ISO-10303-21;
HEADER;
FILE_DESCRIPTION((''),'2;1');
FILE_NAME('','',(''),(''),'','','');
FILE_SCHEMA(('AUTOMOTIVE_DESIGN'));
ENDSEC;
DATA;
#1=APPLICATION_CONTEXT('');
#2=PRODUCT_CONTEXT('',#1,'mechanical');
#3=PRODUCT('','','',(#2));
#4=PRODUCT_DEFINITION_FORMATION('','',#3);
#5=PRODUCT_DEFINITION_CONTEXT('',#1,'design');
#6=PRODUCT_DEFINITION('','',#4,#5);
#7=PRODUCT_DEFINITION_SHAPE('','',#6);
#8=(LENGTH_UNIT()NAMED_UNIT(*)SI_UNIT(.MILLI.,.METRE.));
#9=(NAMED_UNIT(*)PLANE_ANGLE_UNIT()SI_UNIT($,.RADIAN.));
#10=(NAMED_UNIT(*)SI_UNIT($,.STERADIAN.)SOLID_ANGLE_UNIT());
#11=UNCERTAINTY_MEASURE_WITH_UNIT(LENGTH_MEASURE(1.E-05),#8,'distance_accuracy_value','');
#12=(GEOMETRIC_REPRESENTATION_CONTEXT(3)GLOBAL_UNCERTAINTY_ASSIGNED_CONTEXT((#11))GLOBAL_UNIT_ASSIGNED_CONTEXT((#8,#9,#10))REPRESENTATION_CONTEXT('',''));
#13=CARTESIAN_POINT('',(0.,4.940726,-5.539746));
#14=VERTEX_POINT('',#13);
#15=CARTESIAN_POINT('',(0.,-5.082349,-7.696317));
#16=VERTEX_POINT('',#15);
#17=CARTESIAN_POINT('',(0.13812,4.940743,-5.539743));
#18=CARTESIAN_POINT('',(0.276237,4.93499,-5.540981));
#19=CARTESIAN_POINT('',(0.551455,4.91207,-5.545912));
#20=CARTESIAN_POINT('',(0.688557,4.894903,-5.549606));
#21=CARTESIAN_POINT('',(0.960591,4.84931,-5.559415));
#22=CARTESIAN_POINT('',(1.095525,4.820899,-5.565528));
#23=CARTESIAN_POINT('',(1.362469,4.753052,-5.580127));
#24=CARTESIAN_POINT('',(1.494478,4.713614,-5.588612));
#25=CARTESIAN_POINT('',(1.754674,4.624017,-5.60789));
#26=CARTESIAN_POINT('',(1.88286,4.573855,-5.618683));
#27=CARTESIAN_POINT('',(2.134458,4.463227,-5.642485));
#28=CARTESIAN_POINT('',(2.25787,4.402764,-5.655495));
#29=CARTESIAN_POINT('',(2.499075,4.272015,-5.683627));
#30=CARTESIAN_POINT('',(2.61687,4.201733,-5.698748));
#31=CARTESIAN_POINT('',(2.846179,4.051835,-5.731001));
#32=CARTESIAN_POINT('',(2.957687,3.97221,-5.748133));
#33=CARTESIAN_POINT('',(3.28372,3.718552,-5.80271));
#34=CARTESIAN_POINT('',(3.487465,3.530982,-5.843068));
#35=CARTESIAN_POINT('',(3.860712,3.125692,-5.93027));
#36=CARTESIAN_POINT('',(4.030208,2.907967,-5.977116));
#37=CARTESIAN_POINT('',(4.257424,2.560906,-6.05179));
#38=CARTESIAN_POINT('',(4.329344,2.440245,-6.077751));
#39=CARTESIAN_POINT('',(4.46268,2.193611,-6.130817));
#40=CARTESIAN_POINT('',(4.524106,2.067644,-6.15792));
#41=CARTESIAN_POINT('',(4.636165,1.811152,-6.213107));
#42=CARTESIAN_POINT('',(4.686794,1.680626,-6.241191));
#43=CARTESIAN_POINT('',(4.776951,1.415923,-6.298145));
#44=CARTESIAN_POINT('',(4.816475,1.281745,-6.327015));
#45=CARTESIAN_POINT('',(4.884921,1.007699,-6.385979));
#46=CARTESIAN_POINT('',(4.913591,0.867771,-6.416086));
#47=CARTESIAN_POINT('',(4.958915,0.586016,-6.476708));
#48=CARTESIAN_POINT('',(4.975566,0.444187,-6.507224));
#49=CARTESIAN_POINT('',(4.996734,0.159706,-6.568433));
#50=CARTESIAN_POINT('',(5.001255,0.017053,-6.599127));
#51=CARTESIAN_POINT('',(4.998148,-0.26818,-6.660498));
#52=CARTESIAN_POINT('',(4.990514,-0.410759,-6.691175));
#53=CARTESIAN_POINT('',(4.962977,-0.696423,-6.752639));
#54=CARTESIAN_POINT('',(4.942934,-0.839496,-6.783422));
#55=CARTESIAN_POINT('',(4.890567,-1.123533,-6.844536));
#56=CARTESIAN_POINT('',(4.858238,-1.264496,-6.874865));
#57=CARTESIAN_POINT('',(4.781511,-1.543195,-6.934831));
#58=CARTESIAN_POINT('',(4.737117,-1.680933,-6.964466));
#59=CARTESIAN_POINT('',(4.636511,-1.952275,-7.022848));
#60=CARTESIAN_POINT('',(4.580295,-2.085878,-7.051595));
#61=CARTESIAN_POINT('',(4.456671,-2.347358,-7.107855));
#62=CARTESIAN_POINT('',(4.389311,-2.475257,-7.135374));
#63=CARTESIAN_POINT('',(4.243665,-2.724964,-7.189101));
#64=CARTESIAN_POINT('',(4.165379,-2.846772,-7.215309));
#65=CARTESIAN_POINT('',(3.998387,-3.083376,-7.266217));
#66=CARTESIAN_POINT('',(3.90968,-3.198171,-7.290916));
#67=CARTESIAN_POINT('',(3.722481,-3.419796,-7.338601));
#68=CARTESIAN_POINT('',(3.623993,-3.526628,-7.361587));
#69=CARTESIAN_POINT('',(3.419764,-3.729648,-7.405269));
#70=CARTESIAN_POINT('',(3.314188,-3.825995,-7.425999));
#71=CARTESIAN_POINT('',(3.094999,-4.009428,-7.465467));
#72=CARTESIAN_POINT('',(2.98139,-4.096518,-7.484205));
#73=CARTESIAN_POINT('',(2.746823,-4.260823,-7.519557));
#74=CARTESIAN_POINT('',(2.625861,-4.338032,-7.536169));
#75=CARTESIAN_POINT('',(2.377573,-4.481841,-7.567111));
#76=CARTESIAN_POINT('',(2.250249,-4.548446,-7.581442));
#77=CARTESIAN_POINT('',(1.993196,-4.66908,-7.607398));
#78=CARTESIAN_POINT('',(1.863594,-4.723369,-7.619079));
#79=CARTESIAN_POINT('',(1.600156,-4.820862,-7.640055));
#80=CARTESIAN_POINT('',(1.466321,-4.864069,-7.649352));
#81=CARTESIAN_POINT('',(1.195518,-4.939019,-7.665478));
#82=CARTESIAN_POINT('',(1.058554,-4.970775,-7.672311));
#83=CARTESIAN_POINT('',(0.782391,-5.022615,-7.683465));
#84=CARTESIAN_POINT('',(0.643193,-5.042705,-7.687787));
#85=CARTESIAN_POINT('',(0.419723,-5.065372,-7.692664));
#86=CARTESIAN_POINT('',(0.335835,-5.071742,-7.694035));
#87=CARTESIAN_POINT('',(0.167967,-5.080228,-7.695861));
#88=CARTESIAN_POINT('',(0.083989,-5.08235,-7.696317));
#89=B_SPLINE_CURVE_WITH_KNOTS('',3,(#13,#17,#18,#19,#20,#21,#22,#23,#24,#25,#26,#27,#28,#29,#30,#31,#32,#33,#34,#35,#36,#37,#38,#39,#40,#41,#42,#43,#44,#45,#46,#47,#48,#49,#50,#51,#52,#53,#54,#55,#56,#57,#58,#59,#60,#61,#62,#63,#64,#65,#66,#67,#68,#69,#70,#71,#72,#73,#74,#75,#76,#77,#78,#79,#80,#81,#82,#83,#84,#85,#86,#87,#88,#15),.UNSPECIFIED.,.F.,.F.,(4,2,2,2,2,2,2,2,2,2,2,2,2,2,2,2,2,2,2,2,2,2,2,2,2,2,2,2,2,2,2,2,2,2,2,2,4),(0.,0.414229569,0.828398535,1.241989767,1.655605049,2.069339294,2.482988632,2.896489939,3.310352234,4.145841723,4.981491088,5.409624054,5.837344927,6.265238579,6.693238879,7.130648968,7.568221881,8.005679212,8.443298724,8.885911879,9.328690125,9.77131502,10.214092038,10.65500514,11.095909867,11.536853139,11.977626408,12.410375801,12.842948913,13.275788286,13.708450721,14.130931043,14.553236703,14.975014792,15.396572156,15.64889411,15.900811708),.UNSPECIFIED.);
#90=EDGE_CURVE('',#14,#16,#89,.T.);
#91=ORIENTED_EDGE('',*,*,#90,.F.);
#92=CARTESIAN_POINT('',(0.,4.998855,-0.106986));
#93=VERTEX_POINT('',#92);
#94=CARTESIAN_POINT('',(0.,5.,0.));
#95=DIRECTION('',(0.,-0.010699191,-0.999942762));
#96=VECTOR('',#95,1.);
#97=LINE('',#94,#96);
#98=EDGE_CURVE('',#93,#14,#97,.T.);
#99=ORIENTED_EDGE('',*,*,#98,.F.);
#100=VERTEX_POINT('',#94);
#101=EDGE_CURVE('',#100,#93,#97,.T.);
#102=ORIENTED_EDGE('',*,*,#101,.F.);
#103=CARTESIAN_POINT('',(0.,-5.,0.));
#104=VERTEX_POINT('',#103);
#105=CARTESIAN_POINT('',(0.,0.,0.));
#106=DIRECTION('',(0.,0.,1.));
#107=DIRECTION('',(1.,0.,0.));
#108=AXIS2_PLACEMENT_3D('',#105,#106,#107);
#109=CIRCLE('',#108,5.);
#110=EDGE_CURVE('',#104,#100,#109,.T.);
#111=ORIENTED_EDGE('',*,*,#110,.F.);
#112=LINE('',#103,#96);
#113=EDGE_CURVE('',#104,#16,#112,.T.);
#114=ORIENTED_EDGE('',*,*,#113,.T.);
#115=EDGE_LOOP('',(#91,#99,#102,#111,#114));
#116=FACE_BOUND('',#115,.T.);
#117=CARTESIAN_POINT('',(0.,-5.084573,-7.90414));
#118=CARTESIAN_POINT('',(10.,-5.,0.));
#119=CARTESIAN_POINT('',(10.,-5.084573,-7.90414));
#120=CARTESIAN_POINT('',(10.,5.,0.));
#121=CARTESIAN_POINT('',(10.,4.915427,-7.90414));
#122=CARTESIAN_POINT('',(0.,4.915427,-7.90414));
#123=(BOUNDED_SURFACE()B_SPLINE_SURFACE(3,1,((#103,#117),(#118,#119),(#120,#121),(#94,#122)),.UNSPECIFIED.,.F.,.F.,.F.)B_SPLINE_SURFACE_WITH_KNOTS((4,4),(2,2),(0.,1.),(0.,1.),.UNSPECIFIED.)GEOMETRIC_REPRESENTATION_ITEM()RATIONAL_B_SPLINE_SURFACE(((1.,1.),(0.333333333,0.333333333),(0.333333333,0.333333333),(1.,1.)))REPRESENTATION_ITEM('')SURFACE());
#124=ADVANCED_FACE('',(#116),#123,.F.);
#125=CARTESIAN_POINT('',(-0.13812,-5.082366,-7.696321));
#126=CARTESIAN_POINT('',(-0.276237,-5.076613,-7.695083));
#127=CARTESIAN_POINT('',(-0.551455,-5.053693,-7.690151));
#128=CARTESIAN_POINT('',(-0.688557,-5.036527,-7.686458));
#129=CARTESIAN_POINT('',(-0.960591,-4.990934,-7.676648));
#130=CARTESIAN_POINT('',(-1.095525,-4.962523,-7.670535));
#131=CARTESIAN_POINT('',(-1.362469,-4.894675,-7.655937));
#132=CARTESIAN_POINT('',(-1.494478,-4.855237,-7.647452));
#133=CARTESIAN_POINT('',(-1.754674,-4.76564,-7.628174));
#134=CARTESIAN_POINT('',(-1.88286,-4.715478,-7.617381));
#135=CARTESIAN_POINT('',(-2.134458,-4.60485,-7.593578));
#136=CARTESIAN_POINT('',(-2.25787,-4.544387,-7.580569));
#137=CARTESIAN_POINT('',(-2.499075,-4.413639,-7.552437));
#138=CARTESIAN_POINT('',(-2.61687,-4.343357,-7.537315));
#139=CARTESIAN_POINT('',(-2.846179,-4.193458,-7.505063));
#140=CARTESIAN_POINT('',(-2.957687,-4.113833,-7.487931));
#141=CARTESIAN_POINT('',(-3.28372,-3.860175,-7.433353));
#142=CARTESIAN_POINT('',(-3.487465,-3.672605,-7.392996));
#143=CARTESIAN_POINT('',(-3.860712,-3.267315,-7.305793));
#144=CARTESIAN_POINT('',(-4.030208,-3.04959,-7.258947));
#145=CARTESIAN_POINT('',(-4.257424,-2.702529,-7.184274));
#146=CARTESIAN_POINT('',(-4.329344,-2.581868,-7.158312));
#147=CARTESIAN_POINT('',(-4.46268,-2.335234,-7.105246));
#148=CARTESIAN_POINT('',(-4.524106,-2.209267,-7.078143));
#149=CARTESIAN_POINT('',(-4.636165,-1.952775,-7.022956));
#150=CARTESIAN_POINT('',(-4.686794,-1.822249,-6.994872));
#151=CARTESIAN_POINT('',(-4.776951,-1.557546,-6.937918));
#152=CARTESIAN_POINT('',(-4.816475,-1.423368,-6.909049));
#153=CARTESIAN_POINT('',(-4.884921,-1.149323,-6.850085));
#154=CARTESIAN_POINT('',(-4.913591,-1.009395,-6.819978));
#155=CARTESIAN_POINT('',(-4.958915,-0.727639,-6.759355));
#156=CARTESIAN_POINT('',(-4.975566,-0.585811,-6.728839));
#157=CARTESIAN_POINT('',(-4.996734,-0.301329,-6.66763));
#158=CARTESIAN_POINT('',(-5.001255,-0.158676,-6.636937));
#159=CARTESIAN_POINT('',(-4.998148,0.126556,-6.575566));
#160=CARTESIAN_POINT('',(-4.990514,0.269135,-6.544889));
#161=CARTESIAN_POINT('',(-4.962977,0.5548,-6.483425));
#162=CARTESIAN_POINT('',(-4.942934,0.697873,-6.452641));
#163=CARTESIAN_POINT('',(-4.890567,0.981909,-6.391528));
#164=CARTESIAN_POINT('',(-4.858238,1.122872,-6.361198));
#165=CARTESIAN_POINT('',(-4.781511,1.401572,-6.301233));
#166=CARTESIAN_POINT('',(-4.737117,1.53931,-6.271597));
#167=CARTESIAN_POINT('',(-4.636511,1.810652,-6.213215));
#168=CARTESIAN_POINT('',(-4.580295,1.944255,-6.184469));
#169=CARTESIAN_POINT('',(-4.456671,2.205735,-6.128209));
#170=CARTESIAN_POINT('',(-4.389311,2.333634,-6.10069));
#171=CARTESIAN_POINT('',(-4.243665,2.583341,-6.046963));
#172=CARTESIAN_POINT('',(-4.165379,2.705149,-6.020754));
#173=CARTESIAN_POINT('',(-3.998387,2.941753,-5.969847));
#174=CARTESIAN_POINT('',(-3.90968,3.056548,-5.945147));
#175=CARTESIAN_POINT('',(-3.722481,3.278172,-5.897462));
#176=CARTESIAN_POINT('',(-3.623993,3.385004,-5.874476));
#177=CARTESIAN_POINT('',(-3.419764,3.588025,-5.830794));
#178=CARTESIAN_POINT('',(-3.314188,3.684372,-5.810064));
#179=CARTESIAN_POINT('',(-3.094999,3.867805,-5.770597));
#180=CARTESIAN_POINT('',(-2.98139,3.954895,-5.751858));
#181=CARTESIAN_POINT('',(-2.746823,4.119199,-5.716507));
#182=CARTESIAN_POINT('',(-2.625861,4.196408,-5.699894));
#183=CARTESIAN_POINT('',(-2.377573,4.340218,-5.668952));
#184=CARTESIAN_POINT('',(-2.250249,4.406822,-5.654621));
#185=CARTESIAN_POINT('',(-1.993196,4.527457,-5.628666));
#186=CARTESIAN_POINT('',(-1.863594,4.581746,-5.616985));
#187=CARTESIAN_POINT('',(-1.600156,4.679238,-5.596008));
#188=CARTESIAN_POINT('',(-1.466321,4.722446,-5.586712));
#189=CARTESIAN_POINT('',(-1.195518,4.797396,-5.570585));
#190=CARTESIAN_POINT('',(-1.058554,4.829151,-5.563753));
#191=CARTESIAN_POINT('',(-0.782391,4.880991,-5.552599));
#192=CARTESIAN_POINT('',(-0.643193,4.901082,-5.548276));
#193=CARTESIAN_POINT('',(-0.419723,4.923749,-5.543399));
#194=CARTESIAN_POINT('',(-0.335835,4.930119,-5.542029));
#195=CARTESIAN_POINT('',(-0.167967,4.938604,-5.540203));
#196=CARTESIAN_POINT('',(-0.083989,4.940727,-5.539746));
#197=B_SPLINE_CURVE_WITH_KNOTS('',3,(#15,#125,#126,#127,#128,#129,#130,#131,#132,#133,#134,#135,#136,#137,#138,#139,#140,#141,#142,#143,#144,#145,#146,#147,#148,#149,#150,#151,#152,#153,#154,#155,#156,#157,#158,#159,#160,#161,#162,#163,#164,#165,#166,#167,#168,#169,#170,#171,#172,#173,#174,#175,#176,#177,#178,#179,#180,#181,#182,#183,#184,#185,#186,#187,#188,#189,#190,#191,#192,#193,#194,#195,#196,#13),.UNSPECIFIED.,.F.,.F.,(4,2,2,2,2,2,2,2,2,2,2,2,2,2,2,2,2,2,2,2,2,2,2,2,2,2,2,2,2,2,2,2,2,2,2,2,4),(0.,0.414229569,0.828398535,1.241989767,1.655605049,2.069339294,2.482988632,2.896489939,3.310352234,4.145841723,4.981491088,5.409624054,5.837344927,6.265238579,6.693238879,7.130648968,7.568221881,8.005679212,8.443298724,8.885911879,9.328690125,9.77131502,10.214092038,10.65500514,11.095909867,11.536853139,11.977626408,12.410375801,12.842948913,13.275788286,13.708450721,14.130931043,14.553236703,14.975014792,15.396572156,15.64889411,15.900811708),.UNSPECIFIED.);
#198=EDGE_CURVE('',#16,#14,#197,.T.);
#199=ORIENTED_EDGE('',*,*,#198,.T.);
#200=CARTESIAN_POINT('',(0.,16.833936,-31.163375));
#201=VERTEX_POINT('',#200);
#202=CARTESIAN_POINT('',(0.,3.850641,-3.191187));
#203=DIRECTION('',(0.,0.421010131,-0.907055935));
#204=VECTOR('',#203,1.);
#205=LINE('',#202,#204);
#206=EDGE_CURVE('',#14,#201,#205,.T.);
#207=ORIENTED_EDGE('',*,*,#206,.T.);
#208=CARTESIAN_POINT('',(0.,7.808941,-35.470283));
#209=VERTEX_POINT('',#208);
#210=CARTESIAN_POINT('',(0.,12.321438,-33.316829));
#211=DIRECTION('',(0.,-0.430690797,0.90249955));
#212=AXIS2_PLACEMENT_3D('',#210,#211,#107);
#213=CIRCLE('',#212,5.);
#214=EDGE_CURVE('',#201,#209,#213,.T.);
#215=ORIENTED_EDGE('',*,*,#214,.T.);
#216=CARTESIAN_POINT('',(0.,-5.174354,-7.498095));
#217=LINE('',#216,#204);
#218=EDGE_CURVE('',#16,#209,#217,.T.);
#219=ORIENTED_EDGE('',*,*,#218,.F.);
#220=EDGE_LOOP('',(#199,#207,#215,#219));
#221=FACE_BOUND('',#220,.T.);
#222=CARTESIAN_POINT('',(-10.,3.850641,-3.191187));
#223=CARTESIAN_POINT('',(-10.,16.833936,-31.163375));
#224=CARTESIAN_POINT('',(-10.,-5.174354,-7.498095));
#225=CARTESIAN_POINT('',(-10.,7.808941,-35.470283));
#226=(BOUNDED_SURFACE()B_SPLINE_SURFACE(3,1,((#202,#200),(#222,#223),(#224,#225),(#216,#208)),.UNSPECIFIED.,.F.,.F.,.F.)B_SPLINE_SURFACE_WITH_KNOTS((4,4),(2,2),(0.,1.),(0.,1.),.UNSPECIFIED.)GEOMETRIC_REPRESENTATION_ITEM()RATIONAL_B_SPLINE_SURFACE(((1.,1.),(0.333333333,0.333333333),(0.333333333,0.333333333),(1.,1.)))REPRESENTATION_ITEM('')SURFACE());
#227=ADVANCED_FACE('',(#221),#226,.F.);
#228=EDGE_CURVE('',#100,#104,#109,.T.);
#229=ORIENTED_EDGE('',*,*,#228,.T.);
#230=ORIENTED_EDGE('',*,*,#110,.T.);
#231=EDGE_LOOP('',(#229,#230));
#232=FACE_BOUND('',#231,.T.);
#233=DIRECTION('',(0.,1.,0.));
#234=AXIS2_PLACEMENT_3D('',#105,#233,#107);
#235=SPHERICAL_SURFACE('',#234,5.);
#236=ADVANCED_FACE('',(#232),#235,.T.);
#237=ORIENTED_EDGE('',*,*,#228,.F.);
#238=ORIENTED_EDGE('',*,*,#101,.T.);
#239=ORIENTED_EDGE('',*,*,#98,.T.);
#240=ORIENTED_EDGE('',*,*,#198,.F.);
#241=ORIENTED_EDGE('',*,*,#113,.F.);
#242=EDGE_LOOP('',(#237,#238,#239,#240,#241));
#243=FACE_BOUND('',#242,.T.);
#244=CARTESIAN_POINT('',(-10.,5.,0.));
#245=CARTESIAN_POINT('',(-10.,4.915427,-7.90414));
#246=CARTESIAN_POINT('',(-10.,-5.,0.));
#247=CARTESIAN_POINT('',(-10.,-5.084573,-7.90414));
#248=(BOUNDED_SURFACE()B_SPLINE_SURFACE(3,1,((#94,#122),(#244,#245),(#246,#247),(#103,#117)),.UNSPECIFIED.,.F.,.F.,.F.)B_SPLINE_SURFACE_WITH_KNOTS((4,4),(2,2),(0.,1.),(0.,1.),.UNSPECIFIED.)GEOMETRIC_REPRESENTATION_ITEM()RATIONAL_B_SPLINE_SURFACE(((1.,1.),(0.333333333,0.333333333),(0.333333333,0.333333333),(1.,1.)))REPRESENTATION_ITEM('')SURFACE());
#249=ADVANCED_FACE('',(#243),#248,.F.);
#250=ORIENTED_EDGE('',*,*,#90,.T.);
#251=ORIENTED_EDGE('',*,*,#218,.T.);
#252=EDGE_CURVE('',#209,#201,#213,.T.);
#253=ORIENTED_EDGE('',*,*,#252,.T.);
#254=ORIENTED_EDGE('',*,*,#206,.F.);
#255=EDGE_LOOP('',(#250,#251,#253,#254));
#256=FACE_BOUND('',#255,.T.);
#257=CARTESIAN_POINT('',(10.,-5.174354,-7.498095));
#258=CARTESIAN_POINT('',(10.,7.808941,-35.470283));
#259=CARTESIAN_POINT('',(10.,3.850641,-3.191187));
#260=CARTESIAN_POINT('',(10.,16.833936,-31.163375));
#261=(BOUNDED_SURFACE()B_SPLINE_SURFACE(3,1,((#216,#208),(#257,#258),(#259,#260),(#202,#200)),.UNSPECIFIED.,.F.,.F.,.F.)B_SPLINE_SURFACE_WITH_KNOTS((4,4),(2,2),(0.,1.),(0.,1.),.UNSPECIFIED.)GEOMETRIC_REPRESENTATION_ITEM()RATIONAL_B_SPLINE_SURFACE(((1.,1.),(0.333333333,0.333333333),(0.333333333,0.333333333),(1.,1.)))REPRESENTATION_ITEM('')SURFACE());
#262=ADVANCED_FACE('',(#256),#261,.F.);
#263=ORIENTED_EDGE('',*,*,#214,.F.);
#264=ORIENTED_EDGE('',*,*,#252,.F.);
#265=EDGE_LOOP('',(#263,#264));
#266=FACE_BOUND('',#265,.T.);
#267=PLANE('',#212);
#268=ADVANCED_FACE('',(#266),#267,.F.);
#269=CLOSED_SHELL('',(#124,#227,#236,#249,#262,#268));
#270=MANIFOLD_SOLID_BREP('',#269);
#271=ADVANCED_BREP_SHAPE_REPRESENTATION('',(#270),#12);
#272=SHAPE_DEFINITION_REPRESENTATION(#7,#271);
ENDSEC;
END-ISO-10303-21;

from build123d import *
from build123d.topology import SkipClean

# Parameters (mm, degrees)
CUT_EXTRUDE1_DEPTH = 30


with BuildPart() as part:
    # Sketch1 → Revolve1 (revolve)
    with BuildSketch(Plane.XY):
        with BuildLine():
            Line((0, 5), (0, -5))
            ThreePointArc((0, -5), (5, 0), (0, 5))
        make_face()
    revolve(axis=Axis((0, 5, 0), (0, -1, 0)))

    # Sketch1<2> → Cut-Extrude1 (cut)
    with BuildSketch(Plane.XY):
        with BuildLine():
            Line((0, 5), (0, -5))
            ThreePointArc((0, -5), (5, 0), (0, 5))
        make_face()
    extrude(amount=-CUT_EXTRUDE1_DEPTH, mode=Mode.SUBTRACT)

    # Sweep1: sweep along a path in Sketch3
    with SkipClean():  # the faces are left unmerged after this step: merging them gives an invalid solid
        with BuildLine(Plane(origin=(0, 0, 0), x_dir=(0, 0, -1), z_dir=(1, 0, 0))) as sweep1_path:
            Line((0, 0), (6.618031732, -0.070811638))
            Line((6.618031732, -0.070811638), (33.316828545, 12.321438381))
        # Sketch4 → Sweep1 (sweep)
        with BuildSketch(Plane.XY):
            with BuildLine():
                ThreePointArc((0, 5), (-5, 0), (0, -5))
                ThreePointArc((0, -5), (5, 0), (0, 5))
            make_face()
        sweep(path=sweep1_path.line, transition=Transition.RIGHT)


solid = part.part
